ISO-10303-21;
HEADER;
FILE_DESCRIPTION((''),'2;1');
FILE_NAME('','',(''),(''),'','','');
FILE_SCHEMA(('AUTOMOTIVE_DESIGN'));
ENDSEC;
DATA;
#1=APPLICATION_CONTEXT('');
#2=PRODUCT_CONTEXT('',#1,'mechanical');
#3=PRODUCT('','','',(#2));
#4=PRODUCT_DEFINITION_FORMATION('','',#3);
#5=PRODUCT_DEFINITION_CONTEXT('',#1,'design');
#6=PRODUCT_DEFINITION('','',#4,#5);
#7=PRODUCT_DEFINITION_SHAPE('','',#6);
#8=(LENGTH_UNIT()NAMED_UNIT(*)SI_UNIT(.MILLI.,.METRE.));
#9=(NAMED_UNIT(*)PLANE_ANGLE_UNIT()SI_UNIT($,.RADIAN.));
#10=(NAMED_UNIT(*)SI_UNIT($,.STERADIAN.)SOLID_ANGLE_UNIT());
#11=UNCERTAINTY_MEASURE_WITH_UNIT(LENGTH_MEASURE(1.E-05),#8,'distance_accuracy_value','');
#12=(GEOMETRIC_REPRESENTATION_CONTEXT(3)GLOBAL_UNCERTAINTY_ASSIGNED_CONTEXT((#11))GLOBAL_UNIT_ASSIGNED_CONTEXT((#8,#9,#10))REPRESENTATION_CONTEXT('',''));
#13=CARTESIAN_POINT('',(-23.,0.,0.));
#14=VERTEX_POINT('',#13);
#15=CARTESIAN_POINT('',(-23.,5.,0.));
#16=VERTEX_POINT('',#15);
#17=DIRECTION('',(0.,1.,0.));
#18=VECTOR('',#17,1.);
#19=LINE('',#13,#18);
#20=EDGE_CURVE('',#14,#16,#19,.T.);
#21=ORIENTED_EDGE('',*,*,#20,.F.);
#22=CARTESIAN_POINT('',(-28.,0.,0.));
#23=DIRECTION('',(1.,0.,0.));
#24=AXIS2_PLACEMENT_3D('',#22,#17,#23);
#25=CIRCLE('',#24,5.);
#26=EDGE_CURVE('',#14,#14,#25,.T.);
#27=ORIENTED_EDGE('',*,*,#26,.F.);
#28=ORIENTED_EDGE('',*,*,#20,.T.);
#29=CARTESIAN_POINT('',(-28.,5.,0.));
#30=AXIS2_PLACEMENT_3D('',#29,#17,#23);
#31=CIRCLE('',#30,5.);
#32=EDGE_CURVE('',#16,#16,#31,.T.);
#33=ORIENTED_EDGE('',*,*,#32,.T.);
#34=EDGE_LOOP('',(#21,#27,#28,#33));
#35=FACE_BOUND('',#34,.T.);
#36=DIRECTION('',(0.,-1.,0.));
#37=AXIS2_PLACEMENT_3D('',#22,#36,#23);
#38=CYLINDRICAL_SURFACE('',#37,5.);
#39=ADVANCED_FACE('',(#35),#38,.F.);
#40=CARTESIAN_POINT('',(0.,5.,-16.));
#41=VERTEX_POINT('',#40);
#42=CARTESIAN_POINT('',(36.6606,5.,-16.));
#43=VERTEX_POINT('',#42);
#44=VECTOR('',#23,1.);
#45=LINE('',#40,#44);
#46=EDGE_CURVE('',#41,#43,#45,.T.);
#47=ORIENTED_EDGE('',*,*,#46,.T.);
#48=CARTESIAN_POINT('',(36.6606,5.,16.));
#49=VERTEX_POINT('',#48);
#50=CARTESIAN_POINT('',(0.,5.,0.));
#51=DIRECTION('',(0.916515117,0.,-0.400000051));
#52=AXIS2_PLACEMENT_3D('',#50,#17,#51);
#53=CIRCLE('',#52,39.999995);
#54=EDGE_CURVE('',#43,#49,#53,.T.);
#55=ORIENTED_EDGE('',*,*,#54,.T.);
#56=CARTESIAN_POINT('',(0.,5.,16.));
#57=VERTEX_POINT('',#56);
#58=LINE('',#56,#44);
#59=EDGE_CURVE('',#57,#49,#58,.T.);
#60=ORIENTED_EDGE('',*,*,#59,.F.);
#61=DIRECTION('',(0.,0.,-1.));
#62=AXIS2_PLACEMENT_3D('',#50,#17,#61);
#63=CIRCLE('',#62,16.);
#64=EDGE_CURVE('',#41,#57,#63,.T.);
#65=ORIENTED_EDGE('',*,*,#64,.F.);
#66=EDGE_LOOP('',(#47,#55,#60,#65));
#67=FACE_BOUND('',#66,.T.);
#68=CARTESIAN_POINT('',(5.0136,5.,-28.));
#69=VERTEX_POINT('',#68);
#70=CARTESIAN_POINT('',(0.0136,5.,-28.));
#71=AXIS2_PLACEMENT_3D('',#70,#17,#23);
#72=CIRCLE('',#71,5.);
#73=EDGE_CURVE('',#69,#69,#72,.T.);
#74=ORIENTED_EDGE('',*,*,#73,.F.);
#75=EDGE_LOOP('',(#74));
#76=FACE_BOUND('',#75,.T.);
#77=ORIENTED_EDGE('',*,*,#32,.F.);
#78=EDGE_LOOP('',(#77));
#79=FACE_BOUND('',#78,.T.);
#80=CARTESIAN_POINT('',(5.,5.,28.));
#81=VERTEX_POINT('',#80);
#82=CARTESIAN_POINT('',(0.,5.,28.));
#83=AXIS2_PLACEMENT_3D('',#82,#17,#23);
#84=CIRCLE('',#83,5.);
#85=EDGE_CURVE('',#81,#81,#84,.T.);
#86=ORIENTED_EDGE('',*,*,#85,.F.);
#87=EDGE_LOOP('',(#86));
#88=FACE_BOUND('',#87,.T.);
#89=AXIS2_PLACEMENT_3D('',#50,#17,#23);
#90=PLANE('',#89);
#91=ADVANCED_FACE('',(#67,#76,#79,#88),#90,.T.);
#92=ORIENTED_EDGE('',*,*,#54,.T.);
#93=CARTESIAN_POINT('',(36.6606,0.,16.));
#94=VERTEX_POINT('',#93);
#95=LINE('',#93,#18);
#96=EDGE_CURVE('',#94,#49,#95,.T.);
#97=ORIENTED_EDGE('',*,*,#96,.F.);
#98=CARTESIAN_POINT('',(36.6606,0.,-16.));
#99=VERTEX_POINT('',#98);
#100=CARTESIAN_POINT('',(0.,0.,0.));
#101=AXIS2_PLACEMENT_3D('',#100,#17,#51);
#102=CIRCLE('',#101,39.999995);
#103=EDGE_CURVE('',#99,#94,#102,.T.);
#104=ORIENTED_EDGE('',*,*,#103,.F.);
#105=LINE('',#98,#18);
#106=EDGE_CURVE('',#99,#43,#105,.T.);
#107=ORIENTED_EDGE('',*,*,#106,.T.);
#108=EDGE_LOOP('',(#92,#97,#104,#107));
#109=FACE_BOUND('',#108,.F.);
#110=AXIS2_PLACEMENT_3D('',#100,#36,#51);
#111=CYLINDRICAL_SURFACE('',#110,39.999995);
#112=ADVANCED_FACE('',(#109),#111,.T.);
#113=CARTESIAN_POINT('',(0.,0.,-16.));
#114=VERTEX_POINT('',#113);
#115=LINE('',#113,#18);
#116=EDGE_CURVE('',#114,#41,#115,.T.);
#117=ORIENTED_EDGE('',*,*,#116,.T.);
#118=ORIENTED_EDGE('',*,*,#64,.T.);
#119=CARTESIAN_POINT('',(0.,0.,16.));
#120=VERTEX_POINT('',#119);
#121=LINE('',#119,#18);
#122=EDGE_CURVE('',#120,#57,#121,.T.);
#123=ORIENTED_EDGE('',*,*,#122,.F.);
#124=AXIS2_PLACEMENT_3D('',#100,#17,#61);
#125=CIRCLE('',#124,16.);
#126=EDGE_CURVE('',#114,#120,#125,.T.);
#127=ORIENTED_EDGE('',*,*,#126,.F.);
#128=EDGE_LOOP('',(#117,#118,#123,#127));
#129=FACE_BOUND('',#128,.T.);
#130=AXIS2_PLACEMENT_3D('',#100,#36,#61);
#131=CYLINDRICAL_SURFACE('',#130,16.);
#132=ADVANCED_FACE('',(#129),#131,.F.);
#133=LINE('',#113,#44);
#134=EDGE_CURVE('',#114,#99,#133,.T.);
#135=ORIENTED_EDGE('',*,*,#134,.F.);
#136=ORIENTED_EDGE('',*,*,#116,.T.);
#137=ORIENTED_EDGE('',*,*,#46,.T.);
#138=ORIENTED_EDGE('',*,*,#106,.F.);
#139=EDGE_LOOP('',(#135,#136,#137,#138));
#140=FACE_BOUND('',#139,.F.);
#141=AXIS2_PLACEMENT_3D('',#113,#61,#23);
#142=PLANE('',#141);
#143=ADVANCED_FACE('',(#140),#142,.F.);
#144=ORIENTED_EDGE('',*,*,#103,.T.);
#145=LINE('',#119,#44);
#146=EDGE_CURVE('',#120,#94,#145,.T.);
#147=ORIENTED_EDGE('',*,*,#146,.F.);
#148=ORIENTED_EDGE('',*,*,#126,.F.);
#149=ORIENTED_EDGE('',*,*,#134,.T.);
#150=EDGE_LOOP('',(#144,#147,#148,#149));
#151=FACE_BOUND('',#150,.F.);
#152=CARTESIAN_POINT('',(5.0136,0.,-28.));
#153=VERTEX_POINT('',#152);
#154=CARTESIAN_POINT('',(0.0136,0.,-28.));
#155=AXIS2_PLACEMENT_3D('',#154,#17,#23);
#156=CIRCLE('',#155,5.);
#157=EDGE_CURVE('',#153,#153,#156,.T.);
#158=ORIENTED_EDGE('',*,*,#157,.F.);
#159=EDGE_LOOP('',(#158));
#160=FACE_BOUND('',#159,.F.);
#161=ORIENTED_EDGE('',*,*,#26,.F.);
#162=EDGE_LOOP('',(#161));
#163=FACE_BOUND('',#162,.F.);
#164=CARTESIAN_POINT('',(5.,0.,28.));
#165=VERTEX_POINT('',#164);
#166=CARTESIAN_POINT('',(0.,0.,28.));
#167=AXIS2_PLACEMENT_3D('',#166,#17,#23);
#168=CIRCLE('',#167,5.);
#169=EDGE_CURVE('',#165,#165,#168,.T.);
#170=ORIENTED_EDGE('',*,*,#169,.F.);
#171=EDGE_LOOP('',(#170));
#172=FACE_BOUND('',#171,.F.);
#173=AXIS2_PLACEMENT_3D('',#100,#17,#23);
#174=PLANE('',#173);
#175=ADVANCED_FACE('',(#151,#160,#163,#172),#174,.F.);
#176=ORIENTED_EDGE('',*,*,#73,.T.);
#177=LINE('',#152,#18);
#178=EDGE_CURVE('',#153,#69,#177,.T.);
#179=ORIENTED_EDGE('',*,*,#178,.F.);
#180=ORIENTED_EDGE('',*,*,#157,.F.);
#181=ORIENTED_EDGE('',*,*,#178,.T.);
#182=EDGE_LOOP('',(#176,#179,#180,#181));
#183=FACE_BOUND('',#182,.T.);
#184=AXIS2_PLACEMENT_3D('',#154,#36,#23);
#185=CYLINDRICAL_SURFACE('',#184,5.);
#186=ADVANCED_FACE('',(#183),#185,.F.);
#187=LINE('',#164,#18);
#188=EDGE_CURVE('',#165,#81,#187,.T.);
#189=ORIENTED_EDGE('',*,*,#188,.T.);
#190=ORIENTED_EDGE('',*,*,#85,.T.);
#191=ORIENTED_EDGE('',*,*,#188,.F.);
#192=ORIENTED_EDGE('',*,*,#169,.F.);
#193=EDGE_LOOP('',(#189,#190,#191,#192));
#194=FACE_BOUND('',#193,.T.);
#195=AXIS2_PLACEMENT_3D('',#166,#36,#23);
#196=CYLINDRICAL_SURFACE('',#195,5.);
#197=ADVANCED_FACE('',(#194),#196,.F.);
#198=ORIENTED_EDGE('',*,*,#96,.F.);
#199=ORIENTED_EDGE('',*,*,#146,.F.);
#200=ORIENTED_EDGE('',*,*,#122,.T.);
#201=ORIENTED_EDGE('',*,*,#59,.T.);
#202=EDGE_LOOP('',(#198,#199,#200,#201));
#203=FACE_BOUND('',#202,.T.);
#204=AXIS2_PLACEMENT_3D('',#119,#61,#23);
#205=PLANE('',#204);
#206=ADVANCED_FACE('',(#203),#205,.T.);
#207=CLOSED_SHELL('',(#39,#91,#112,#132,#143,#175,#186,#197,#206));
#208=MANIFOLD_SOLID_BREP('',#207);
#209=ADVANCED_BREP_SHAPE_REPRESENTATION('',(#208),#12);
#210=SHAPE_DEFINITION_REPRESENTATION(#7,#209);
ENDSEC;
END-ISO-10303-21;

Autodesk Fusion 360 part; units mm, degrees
sketch "Sketch1" plane through (0, 0, 0) normal (0, 1, 0) x (1, 0, 0)
  line L0 (0, 0) -> (0, 60) construction
  line L1 (0, 0) -> (0, -86.7996) construction
  line L2 (0, 0) -> (-80, 0) construction
  line L3 (0, 0) -> (75.5997, 0) construction
  circle A0 centre (0.0136, 28) radius 5
  circle A1 centre (-28, 0) radius 5
  circle A2 centre (0, -28) radius 5
  arc A3 (0, 16) -> (0, -16) centre (0, 0) ccw
  line L4 (0, 16) -> (36.6606, 16)
  line L5 (0, -16) -> (36.6606, -16)
  arc A4 (36.6606, 16) -> (36.6606, -16) centre (0, 0) ccw
  dimension "d1" = 80
  dimension "d2" = 10
  dimension "d3" = 10
  dimension "d4" = 10
  dimension "d5" = 28
  dimension "d6" = 28
  dimension "d7" = 28
  dimension "d8" = 32
extrude "Extrude1" add sketch "Sketch1" along normal blind 5
